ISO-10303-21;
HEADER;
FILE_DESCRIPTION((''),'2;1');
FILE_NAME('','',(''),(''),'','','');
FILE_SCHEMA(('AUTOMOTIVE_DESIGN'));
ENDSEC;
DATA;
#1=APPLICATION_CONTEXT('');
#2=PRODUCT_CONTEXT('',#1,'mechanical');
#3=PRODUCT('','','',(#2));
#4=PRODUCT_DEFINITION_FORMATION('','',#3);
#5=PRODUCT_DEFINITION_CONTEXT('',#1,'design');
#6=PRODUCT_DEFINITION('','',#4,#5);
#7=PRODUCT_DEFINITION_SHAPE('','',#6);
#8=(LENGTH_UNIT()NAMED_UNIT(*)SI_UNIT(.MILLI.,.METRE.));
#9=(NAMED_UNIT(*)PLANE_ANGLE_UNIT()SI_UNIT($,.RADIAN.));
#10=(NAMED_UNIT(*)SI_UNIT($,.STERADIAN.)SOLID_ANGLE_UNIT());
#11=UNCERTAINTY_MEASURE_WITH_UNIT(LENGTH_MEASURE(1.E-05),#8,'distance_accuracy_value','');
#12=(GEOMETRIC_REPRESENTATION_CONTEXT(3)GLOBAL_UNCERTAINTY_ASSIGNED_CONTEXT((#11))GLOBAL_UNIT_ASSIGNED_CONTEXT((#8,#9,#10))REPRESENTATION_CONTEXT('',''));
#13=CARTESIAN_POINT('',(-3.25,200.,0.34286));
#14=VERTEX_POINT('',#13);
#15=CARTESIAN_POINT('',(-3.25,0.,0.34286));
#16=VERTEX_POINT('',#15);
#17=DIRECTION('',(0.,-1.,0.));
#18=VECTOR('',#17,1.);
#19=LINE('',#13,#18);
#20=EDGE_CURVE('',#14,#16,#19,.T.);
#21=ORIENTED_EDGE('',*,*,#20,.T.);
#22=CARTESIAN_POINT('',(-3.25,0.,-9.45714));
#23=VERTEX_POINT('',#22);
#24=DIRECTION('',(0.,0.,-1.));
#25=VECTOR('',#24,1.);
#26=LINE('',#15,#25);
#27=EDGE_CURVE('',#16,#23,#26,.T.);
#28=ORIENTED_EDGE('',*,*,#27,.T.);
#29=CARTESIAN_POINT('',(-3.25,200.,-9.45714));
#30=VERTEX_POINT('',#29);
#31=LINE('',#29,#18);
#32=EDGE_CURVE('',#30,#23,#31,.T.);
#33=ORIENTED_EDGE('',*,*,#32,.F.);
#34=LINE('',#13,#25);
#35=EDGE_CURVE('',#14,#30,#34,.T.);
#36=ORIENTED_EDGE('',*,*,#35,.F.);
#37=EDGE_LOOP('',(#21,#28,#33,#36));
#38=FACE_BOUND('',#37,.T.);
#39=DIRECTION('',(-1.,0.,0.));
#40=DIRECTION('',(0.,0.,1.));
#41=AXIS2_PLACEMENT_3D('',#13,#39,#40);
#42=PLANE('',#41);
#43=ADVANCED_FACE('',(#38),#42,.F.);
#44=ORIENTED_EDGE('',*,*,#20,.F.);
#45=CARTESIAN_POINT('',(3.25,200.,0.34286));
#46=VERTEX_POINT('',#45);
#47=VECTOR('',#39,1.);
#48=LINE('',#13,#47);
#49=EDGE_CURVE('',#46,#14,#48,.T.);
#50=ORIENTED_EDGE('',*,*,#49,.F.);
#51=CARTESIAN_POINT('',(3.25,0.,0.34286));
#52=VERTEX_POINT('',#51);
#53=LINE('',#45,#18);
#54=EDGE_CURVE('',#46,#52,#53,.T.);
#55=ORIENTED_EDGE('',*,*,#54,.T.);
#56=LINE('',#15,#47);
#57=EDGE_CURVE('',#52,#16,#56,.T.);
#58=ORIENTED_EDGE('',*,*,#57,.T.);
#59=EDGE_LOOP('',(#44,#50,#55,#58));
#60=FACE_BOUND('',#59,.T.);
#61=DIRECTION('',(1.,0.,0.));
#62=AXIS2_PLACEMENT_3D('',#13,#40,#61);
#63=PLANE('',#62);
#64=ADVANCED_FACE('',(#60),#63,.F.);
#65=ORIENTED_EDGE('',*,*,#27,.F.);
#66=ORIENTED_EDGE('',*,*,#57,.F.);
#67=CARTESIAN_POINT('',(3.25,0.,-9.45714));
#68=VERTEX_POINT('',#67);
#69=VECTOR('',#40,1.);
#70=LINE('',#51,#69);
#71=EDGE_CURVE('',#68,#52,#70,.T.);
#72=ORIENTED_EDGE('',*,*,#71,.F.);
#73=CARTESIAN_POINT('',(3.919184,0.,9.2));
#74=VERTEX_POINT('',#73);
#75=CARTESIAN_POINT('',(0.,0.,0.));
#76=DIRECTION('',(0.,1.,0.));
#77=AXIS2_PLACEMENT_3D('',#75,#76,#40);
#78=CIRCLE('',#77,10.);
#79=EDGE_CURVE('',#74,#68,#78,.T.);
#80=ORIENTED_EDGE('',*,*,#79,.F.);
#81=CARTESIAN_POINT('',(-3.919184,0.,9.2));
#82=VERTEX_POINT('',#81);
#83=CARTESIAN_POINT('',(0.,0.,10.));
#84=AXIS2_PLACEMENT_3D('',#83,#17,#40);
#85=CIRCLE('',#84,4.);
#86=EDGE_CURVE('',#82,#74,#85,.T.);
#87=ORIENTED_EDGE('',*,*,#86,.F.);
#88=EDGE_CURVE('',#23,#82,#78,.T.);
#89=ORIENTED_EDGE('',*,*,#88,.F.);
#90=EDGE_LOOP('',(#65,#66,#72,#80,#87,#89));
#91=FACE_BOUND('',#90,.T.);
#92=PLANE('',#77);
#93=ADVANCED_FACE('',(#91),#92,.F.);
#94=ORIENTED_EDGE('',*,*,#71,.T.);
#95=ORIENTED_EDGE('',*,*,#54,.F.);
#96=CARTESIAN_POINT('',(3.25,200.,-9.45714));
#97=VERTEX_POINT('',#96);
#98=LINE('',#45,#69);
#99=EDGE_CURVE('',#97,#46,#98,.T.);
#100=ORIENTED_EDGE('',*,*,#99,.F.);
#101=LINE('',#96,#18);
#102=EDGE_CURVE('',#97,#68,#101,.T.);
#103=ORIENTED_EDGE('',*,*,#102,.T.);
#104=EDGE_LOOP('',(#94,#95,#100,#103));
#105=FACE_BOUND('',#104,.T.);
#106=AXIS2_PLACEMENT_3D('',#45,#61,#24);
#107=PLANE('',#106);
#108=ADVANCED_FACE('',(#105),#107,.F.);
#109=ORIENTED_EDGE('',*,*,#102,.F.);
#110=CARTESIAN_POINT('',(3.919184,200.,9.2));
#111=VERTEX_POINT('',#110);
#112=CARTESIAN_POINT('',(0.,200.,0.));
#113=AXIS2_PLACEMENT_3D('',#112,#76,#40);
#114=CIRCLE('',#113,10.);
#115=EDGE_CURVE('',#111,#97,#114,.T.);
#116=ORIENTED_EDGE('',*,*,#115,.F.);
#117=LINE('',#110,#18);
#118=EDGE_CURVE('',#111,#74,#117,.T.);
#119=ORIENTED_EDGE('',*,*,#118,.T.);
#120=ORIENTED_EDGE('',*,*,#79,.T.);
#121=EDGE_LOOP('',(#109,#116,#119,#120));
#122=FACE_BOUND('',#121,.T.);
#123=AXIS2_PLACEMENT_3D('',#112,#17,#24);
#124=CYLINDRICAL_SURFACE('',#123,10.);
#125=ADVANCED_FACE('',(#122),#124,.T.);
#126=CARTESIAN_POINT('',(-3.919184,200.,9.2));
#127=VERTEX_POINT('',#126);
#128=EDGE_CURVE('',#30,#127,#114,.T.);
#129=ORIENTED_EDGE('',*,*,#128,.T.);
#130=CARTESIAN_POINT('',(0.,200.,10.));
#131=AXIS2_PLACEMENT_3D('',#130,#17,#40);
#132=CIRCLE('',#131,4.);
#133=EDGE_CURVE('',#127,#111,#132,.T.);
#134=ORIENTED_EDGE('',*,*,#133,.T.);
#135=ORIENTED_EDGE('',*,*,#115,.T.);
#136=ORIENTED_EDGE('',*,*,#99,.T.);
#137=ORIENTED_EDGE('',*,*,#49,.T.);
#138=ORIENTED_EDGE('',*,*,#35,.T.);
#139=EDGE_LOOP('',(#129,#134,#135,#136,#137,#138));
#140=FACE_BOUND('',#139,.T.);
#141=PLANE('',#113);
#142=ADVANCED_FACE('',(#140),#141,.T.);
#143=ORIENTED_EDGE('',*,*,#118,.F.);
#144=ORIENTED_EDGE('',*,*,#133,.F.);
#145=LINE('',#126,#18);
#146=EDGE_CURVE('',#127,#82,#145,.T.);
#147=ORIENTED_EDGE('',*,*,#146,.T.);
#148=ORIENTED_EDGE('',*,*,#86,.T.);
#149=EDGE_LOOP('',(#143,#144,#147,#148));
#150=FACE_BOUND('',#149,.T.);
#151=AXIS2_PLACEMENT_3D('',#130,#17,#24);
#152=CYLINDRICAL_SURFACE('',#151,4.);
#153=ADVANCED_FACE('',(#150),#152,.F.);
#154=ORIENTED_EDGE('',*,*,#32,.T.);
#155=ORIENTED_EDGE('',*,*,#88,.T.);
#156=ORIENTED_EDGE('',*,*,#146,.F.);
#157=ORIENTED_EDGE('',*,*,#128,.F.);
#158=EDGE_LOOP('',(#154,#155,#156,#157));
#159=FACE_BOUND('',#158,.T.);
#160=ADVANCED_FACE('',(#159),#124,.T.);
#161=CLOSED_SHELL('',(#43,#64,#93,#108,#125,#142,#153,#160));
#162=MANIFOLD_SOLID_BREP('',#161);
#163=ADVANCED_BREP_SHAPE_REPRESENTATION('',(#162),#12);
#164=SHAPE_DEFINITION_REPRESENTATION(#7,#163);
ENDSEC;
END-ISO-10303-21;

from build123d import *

# Parameters (mm, degrees)
RESSALTO_EXTRUS_O1_DEPTH = 200


with BuildPart() as part:
    # Esboço1 → Ressalto-extrusão1 (new body)
    with BuildSketch(Plane(origin=(0, 0, 0), x_dir=(1, 0, 0), z_dir=(0, 1, 0))):
        with BuildLine():
            Line((-3.25, -0.34285984), (3.25, -0.34285984))
            Line((3.25, -0.34285984), (3.25, 9.45714016))
            ThreePointArc((3.25, 9.45714016), (9.993573839, 0.358443767), (3.919183588, -9.2))
            ThreePointArc((3.919183588, -9.2), (0, -6), (-3.919183588, -9.2))
            ThreePointArc((-3.919183588, -9.2), (-9.993573839, 0.358443767), (-3.25, 9.45714016))
            Line((-3.25, 9.45714016), (-3.25, -0.34285984))
        make_face()
    extrude(amount=RESSALTO_EXTRUS_O1_DEPTH)


solid = part.part
